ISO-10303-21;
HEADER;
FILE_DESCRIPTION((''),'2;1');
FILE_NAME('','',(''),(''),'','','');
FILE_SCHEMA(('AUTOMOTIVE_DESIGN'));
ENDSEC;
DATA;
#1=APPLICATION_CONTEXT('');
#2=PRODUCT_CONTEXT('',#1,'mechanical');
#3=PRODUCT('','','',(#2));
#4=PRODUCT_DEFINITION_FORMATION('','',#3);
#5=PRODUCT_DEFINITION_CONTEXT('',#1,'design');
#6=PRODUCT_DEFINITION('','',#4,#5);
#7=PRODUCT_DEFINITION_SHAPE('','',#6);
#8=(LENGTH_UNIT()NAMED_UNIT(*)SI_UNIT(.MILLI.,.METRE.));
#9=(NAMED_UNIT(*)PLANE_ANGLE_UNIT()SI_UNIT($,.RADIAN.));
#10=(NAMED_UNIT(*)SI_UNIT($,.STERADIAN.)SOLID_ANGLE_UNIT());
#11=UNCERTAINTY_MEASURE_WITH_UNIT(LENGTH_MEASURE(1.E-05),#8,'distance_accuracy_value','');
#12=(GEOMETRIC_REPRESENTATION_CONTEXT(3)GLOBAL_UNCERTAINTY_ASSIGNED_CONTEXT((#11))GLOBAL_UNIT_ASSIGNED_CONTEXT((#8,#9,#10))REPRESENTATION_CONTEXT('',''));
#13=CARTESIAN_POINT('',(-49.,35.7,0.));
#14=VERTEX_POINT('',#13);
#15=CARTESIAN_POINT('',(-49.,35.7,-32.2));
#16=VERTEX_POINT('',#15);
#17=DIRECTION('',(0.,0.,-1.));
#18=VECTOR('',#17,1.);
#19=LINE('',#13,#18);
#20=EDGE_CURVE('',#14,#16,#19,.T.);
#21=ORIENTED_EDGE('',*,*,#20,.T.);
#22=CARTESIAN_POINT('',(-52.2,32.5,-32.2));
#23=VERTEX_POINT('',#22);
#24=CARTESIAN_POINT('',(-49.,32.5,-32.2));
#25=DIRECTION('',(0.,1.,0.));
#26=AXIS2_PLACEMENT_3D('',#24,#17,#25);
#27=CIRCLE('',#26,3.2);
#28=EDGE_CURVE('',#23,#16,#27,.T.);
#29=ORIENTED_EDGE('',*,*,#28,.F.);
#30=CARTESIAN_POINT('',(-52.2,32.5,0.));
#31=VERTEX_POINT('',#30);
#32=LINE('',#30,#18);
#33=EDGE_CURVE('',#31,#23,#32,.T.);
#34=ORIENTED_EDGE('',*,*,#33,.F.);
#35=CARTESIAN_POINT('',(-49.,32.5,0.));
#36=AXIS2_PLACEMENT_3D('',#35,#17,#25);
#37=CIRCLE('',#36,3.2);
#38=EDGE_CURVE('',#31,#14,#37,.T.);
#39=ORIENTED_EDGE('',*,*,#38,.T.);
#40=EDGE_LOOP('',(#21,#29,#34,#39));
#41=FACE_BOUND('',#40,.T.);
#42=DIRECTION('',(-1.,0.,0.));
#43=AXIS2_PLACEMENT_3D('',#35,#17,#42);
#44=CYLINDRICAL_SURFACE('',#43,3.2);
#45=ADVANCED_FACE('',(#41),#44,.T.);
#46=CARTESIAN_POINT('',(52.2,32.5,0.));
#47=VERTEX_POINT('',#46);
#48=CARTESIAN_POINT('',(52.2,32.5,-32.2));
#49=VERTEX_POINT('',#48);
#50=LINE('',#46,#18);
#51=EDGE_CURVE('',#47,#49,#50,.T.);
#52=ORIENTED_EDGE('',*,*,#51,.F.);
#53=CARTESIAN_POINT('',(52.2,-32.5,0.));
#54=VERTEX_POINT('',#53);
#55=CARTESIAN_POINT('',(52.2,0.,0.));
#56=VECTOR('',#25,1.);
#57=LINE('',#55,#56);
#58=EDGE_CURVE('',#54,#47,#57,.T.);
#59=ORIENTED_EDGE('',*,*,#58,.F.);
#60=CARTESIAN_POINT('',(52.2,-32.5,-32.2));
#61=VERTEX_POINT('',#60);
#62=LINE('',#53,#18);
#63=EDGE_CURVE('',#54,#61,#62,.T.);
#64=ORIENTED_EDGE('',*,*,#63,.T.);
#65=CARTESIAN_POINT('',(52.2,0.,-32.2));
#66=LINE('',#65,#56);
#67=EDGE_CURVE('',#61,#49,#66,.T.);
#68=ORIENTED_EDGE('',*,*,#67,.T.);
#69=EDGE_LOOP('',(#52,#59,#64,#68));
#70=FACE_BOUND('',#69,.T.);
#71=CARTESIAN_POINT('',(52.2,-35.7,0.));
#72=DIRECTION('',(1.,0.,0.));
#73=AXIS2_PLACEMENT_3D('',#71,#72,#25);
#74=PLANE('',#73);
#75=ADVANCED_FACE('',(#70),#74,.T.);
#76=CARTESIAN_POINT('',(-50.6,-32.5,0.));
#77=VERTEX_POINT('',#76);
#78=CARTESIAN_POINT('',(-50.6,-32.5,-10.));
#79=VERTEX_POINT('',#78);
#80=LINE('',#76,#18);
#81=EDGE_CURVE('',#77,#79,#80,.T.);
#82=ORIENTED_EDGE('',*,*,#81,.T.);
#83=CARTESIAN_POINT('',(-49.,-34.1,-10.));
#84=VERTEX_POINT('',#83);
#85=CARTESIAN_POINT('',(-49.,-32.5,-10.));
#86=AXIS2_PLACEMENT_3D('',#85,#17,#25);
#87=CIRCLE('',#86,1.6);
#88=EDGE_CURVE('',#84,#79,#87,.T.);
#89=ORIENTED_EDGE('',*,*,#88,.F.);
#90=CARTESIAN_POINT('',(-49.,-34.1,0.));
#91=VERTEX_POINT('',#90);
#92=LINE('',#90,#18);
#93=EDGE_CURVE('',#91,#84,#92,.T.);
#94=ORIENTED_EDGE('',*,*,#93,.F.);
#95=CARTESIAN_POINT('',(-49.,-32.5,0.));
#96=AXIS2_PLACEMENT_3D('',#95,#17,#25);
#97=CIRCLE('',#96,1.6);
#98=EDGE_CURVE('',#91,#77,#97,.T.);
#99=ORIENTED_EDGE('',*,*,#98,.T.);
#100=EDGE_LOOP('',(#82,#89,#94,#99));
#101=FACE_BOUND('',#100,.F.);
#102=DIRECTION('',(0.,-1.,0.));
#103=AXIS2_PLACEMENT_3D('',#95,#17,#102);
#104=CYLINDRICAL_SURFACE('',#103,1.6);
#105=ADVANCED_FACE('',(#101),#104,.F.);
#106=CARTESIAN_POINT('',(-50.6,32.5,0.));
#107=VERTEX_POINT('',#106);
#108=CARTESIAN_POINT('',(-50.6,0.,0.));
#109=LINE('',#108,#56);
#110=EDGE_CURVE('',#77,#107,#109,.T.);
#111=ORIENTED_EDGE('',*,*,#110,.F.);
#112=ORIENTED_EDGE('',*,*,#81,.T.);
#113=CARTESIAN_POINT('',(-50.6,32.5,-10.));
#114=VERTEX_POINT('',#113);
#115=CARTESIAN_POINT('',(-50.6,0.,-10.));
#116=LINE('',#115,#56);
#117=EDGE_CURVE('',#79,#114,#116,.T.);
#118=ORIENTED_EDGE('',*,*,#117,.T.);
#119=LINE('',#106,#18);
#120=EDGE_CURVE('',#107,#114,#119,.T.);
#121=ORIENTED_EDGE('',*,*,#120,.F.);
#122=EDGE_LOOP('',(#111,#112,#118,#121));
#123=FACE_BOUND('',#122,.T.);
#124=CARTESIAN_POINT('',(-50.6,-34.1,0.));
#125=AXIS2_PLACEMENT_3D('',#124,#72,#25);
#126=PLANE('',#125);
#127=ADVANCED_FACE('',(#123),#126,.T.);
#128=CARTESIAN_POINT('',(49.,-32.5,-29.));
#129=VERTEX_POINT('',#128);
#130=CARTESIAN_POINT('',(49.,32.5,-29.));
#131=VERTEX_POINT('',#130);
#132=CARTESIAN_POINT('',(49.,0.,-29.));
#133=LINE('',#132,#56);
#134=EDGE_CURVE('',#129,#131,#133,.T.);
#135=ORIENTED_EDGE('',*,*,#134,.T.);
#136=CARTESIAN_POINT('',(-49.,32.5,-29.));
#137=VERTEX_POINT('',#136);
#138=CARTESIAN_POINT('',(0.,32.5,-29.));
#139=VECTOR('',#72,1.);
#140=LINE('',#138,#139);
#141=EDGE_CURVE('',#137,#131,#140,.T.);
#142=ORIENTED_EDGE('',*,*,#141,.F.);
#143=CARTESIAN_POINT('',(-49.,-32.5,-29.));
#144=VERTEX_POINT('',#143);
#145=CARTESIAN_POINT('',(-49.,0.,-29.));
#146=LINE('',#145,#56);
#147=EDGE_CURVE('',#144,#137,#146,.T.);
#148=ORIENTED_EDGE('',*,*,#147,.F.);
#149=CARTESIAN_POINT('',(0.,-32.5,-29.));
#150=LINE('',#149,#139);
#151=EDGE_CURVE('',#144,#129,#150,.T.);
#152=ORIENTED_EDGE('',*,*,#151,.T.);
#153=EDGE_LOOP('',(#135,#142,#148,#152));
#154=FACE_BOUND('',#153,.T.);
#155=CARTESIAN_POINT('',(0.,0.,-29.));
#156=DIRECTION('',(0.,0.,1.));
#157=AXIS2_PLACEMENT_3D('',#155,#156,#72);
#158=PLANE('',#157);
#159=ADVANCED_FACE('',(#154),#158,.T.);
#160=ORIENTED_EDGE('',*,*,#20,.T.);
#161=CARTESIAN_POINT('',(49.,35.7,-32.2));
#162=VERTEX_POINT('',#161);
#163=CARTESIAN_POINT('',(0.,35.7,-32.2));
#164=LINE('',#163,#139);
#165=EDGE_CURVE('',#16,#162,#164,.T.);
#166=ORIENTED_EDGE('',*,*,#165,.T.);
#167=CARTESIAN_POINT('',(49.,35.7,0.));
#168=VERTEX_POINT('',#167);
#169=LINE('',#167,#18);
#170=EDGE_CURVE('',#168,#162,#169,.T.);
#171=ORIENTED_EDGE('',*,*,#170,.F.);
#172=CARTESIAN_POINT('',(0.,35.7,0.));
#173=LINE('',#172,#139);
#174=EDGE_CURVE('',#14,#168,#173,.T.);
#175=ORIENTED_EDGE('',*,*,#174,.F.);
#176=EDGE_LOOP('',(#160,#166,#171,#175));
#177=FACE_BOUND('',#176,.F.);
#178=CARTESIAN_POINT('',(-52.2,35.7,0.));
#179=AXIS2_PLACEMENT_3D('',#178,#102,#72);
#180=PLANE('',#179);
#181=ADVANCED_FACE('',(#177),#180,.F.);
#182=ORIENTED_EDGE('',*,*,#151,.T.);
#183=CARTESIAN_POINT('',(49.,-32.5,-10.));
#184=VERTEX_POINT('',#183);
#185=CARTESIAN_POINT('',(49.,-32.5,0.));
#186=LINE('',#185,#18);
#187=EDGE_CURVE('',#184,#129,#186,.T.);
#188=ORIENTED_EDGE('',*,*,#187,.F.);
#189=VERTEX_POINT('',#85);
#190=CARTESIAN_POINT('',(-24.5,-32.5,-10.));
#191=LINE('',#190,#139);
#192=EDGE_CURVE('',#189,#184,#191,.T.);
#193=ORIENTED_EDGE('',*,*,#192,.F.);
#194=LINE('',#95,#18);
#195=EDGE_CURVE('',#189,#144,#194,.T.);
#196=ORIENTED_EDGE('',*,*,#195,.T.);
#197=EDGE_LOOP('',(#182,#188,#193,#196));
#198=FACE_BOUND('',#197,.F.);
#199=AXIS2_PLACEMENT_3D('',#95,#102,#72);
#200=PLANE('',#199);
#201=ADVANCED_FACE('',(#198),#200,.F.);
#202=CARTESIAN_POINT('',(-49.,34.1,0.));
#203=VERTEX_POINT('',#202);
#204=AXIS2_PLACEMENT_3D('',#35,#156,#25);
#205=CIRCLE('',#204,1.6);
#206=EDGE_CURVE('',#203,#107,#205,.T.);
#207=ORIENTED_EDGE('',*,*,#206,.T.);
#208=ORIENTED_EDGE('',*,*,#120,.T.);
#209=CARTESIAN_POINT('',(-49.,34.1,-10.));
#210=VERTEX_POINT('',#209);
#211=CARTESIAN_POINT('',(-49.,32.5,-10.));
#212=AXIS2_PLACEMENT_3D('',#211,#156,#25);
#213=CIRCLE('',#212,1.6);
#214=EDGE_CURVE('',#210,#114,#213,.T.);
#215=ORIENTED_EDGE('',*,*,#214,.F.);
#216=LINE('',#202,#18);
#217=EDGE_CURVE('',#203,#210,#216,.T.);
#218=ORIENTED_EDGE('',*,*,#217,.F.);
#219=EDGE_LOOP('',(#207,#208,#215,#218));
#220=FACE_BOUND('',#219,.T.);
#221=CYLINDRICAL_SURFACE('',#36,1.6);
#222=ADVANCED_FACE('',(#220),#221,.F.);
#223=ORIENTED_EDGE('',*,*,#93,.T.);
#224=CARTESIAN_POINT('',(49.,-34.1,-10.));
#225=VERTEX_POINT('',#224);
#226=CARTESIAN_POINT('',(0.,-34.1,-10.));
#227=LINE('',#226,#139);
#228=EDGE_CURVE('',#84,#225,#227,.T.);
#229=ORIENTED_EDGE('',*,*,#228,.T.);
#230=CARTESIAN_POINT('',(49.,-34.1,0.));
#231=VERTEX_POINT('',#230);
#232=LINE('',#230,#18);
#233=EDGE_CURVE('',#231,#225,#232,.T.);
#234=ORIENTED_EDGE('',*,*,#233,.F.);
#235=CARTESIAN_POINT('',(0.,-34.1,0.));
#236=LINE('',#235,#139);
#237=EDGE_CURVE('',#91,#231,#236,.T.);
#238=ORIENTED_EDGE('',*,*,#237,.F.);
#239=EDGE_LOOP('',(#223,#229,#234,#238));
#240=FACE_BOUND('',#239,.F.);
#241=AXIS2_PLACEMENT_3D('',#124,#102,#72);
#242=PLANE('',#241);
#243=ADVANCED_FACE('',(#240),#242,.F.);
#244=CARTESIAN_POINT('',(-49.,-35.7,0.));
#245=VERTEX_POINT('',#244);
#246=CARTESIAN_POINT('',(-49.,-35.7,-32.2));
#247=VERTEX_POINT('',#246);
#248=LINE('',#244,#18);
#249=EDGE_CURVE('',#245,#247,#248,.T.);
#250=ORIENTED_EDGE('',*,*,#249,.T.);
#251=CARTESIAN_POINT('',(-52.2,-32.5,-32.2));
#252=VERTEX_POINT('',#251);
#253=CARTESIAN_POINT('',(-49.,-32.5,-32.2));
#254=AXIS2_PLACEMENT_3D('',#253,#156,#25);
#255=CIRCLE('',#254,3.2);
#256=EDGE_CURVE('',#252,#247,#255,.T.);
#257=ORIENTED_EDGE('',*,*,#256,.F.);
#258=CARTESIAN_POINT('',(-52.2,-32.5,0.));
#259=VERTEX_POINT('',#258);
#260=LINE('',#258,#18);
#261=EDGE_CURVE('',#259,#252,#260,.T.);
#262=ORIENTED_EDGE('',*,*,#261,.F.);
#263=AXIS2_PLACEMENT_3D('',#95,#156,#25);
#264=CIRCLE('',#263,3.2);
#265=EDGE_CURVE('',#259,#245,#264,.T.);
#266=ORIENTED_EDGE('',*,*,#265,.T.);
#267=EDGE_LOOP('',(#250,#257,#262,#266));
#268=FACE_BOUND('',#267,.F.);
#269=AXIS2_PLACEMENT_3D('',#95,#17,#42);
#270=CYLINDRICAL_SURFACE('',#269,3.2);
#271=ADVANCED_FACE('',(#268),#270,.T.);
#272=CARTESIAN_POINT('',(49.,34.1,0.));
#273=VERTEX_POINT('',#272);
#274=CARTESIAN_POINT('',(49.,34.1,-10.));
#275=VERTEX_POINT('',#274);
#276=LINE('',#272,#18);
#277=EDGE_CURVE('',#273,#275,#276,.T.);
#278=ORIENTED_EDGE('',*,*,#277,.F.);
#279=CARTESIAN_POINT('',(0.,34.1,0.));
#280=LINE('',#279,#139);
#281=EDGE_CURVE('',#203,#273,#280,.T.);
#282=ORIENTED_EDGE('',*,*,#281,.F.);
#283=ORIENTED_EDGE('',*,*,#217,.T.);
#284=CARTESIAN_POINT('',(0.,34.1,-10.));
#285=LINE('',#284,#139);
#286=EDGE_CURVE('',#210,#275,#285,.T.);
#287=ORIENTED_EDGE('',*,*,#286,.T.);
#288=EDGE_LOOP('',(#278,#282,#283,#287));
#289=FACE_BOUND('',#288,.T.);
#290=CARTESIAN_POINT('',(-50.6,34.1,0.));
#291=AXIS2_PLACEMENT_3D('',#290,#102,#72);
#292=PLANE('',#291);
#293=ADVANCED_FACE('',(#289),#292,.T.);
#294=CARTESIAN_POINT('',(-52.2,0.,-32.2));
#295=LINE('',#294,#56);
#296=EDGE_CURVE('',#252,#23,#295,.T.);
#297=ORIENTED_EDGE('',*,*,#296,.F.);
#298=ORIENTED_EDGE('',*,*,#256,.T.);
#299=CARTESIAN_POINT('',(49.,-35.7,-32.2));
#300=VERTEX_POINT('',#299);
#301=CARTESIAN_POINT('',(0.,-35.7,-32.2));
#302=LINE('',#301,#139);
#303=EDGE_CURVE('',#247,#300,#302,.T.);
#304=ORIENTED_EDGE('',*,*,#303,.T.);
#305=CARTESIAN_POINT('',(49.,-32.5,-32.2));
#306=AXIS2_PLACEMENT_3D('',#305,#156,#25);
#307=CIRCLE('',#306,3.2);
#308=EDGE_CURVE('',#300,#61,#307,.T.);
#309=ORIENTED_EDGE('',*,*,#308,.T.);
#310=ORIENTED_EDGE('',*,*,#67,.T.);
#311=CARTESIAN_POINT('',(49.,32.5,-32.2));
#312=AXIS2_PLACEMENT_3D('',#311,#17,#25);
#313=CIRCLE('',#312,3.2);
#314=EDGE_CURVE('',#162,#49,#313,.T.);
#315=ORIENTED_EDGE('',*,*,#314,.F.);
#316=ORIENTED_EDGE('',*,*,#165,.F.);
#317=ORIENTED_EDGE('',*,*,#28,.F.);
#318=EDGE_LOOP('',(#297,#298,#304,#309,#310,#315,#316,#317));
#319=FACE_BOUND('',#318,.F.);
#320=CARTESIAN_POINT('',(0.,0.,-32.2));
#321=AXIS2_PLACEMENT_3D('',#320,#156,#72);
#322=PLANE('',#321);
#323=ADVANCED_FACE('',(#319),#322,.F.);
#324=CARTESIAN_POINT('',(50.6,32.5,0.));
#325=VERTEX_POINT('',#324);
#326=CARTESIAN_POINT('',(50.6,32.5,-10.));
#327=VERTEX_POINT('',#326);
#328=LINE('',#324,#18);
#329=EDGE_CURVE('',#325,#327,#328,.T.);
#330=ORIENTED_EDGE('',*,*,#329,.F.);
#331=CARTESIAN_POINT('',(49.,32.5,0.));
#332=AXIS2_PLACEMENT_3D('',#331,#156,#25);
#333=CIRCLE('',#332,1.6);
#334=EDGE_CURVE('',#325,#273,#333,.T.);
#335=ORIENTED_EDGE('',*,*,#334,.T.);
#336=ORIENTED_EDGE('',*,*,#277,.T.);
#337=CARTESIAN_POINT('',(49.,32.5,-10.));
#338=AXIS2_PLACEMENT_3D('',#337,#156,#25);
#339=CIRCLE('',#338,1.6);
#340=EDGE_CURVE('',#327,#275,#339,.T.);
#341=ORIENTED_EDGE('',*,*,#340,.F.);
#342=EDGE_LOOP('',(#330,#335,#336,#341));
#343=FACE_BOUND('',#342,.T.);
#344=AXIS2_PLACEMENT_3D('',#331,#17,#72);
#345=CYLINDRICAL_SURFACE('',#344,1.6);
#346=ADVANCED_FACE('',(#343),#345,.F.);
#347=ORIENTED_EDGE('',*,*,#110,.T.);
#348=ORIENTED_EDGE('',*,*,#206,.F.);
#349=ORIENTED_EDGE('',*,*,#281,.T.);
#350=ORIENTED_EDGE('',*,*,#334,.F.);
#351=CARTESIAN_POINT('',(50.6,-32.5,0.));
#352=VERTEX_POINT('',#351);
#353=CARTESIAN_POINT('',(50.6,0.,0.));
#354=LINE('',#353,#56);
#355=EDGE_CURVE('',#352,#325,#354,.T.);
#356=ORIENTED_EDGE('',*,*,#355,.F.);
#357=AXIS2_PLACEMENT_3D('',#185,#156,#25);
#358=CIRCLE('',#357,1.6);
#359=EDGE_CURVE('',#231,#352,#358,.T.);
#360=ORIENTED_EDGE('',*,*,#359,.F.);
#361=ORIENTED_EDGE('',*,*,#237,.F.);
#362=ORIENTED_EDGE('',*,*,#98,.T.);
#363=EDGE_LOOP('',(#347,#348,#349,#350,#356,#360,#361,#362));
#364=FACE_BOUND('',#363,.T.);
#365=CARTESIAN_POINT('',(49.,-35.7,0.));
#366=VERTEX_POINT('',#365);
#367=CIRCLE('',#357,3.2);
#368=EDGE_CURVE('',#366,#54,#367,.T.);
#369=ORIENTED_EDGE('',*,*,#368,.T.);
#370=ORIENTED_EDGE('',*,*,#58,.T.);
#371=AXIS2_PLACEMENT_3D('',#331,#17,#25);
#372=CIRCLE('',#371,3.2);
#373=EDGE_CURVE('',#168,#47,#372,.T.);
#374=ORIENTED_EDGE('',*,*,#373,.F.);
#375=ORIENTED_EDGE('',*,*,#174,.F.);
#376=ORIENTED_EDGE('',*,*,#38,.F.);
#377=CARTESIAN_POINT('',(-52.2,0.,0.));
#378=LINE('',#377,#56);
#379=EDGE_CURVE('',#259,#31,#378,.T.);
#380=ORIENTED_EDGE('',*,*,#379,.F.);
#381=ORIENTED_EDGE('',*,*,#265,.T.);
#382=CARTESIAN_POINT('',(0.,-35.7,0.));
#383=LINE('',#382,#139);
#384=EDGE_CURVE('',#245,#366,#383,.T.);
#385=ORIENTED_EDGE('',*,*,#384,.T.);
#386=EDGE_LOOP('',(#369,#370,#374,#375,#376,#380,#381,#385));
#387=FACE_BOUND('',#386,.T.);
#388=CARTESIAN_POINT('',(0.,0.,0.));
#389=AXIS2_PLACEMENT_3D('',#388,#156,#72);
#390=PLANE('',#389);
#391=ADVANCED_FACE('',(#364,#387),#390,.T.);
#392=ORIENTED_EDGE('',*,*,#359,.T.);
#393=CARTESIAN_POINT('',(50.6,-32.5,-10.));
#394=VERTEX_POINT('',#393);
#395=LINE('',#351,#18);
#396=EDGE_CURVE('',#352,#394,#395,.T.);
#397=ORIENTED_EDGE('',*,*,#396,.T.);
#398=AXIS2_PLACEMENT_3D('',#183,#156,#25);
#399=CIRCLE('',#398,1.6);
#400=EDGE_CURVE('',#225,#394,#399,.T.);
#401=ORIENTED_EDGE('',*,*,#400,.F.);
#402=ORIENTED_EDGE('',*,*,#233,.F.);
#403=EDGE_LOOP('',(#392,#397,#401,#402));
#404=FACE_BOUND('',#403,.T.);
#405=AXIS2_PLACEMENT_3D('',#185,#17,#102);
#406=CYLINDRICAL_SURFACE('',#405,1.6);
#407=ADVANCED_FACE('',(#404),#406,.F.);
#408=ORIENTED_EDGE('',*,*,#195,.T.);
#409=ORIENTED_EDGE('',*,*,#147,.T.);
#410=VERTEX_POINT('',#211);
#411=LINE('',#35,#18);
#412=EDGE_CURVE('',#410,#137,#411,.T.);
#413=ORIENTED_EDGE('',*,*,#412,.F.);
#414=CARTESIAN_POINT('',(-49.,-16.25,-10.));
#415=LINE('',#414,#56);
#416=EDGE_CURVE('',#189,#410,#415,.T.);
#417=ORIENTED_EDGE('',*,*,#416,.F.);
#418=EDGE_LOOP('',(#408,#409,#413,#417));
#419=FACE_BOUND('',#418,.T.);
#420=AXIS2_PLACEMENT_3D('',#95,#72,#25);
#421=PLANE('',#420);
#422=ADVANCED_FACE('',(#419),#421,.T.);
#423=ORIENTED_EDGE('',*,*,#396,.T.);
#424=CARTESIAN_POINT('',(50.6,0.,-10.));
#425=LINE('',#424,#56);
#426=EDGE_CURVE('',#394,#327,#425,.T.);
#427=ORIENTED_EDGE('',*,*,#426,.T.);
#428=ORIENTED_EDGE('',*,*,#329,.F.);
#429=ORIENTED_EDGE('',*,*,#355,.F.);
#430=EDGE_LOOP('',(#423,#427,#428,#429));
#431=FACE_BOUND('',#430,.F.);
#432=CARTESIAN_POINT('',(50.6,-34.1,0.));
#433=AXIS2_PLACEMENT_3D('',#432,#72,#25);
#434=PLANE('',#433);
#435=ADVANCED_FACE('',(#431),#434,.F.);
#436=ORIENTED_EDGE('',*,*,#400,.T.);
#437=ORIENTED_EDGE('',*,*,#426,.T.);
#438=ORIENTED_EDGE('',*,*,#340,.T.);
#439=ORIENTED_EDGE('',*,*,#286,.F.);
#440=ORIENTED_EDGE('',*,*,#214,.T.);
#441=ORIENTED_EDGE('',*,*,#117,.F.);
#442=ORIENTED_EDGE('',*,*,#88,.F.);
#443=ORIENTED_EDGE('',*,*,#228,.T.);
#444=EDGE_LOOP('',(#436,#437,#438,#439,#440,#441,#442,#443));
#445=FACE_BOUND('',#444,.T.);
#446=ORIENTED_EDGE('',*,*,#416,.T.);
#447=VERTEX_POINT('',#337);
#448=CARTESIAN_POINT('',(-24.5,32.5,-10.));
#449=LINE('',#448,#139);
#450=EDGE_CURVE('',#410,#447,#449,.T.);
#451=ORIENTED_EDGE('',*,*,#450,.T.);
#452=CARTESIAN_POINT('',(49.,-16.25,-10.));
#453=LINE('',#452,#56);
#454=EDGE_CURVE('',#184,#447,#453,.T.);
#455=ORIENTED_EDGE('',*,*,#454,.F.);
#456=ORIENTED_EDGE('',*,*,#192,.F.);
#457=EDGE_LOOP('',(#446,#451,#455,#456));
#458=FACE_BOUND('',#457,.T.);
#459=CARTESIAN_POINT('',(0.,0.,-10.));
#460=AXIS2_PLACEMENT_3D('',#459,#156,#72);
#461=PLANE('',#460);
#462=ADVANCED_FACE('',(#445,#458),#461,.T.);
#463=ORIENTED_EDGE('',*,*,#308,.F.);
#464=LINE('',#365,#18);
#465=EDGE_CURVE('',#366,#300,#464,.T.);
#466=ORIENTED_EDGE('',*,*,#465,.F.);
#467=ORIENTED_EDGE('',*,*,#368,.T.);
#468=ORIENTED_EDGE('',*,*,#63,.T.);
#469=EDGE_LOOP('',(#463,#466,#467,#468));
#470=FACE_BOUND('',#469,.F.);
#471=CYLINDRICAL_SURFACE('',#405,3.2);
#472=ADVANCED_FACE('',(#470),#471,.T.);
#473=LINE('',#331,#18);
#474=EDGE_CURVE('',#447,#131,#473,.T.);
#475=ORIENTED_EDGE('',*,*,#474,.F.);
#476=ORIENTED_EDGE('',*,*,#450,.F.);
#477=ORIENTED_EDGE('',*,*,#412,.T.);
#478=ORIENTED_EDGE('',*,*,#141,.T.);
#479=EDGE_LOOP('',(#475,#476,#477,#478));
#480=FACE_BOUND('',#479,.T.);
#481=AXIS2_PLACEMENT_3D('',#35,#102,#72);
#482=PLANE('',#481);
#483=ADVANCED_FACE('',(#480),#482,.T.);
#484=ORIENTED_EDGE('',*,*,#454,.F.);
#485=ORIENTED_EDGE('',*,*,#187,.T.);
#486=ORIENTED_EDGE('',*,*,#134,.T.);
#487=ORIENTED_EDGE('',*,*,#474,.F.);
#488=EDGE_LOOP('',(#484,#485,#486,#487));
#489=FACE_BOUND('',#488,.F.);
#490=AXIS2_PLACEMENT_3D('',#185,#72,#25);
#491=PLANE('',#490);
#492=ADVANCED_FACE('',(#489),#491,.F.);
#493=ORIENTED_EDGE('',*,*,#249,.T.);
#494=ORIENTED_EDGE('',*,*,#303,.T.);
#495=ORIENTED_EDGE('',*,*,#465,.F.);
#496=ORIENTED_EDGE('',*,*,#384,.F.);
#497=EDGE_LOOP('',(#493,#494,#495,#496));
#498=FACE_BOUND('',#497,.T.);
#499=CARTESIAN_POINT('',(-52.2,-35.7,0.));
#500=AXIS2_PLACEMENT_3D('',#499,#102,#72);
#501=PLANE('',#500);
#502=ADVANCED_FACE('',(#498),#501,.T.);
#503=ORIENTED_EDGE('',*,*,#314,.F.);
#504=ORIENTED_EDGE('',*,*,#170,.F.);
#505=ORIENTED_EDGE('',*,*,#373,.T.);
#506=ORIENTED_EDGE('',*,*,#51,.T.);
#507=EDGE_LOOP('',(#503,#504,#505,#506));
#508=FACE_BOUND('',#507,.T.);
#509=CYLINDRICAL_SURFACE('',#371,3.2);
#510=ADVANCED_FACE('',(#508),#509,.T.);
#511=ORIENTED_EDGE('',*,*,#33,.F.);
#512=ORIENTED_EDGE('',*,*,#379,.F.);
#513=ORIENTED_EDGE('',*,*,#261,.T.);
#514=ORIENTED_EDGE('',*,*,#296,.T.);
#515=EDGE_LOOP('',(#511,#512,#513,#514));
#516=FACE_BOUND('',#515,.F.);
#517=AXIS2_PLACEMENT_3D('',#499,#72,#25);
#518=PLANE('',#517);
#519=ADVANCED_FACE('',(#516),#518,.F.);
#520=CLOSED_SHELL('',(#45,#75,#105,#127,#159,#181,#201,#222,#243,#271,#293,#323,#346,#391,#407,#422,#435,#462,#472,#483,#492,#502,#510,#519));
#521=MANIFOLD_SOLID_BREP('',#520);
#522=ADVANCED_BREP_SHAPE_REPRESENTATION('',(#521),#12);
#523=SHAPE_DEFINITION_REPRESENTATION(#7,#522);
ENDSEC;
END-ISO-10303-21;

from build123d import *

# Parameters (mm, degrees)
F3_W     = 104.4
F3_H     = 71.4
F6_DEPTH = 32.2
F4_W     = 101.2
F4_H     = 68.2
F7_DEPTH = 10
F5_W     = 98
F5_H     = 65
F8_DEPTH = 29
F9_R     = 3.2
F10_R    = 1.6


with BuildPart() as f6:
    # F3 (on Top) → F6 (new body)
    with BuildSketch(Plane.XY):
        Rectangle(F3_W, F3_H)
    extrude(amount=-F6_DEPTH)

    # F4 (on Top) → F7 (cut)
    with BuildSketch(Plane.XY):
        Rectangle(F4_W, F4_H)
    extrude(amount=-F7_DEPTH, mode=Mode.SUBTRACT)

    # F5 (on Top) → F8 (cut)
    with BuildSketch(Plane.XY):
        Rectangle(F5_W, F5_H)
    extrude(amount=-F8_DEPTH, mode=Mode.SUBTRACT)

    # F9
    f9_edges = [f6.edges().sort_by_distance(p)[0] for p in [
        (-52.2, -35.7, -16.1),
        (52.2, -35.7, -16.1),
        (52.2, 35.7, -16.1),
        (-52.2, 35.7, -16.1),
    ]]
    fillet(f9_edges, radius=F9_R)

    # F10
    f10_edges = [f6.edges().sort_by_distance(p)[0] for p in [
        (-50.6, 34.1, -5),
        (-50.6, -34.1, -5),
        (50.6, 34.1, -5),
        (50.6, -34.1, -5),
    ]]
    fillet(f10_edges, radius=F10_R)


solid = f6.part
